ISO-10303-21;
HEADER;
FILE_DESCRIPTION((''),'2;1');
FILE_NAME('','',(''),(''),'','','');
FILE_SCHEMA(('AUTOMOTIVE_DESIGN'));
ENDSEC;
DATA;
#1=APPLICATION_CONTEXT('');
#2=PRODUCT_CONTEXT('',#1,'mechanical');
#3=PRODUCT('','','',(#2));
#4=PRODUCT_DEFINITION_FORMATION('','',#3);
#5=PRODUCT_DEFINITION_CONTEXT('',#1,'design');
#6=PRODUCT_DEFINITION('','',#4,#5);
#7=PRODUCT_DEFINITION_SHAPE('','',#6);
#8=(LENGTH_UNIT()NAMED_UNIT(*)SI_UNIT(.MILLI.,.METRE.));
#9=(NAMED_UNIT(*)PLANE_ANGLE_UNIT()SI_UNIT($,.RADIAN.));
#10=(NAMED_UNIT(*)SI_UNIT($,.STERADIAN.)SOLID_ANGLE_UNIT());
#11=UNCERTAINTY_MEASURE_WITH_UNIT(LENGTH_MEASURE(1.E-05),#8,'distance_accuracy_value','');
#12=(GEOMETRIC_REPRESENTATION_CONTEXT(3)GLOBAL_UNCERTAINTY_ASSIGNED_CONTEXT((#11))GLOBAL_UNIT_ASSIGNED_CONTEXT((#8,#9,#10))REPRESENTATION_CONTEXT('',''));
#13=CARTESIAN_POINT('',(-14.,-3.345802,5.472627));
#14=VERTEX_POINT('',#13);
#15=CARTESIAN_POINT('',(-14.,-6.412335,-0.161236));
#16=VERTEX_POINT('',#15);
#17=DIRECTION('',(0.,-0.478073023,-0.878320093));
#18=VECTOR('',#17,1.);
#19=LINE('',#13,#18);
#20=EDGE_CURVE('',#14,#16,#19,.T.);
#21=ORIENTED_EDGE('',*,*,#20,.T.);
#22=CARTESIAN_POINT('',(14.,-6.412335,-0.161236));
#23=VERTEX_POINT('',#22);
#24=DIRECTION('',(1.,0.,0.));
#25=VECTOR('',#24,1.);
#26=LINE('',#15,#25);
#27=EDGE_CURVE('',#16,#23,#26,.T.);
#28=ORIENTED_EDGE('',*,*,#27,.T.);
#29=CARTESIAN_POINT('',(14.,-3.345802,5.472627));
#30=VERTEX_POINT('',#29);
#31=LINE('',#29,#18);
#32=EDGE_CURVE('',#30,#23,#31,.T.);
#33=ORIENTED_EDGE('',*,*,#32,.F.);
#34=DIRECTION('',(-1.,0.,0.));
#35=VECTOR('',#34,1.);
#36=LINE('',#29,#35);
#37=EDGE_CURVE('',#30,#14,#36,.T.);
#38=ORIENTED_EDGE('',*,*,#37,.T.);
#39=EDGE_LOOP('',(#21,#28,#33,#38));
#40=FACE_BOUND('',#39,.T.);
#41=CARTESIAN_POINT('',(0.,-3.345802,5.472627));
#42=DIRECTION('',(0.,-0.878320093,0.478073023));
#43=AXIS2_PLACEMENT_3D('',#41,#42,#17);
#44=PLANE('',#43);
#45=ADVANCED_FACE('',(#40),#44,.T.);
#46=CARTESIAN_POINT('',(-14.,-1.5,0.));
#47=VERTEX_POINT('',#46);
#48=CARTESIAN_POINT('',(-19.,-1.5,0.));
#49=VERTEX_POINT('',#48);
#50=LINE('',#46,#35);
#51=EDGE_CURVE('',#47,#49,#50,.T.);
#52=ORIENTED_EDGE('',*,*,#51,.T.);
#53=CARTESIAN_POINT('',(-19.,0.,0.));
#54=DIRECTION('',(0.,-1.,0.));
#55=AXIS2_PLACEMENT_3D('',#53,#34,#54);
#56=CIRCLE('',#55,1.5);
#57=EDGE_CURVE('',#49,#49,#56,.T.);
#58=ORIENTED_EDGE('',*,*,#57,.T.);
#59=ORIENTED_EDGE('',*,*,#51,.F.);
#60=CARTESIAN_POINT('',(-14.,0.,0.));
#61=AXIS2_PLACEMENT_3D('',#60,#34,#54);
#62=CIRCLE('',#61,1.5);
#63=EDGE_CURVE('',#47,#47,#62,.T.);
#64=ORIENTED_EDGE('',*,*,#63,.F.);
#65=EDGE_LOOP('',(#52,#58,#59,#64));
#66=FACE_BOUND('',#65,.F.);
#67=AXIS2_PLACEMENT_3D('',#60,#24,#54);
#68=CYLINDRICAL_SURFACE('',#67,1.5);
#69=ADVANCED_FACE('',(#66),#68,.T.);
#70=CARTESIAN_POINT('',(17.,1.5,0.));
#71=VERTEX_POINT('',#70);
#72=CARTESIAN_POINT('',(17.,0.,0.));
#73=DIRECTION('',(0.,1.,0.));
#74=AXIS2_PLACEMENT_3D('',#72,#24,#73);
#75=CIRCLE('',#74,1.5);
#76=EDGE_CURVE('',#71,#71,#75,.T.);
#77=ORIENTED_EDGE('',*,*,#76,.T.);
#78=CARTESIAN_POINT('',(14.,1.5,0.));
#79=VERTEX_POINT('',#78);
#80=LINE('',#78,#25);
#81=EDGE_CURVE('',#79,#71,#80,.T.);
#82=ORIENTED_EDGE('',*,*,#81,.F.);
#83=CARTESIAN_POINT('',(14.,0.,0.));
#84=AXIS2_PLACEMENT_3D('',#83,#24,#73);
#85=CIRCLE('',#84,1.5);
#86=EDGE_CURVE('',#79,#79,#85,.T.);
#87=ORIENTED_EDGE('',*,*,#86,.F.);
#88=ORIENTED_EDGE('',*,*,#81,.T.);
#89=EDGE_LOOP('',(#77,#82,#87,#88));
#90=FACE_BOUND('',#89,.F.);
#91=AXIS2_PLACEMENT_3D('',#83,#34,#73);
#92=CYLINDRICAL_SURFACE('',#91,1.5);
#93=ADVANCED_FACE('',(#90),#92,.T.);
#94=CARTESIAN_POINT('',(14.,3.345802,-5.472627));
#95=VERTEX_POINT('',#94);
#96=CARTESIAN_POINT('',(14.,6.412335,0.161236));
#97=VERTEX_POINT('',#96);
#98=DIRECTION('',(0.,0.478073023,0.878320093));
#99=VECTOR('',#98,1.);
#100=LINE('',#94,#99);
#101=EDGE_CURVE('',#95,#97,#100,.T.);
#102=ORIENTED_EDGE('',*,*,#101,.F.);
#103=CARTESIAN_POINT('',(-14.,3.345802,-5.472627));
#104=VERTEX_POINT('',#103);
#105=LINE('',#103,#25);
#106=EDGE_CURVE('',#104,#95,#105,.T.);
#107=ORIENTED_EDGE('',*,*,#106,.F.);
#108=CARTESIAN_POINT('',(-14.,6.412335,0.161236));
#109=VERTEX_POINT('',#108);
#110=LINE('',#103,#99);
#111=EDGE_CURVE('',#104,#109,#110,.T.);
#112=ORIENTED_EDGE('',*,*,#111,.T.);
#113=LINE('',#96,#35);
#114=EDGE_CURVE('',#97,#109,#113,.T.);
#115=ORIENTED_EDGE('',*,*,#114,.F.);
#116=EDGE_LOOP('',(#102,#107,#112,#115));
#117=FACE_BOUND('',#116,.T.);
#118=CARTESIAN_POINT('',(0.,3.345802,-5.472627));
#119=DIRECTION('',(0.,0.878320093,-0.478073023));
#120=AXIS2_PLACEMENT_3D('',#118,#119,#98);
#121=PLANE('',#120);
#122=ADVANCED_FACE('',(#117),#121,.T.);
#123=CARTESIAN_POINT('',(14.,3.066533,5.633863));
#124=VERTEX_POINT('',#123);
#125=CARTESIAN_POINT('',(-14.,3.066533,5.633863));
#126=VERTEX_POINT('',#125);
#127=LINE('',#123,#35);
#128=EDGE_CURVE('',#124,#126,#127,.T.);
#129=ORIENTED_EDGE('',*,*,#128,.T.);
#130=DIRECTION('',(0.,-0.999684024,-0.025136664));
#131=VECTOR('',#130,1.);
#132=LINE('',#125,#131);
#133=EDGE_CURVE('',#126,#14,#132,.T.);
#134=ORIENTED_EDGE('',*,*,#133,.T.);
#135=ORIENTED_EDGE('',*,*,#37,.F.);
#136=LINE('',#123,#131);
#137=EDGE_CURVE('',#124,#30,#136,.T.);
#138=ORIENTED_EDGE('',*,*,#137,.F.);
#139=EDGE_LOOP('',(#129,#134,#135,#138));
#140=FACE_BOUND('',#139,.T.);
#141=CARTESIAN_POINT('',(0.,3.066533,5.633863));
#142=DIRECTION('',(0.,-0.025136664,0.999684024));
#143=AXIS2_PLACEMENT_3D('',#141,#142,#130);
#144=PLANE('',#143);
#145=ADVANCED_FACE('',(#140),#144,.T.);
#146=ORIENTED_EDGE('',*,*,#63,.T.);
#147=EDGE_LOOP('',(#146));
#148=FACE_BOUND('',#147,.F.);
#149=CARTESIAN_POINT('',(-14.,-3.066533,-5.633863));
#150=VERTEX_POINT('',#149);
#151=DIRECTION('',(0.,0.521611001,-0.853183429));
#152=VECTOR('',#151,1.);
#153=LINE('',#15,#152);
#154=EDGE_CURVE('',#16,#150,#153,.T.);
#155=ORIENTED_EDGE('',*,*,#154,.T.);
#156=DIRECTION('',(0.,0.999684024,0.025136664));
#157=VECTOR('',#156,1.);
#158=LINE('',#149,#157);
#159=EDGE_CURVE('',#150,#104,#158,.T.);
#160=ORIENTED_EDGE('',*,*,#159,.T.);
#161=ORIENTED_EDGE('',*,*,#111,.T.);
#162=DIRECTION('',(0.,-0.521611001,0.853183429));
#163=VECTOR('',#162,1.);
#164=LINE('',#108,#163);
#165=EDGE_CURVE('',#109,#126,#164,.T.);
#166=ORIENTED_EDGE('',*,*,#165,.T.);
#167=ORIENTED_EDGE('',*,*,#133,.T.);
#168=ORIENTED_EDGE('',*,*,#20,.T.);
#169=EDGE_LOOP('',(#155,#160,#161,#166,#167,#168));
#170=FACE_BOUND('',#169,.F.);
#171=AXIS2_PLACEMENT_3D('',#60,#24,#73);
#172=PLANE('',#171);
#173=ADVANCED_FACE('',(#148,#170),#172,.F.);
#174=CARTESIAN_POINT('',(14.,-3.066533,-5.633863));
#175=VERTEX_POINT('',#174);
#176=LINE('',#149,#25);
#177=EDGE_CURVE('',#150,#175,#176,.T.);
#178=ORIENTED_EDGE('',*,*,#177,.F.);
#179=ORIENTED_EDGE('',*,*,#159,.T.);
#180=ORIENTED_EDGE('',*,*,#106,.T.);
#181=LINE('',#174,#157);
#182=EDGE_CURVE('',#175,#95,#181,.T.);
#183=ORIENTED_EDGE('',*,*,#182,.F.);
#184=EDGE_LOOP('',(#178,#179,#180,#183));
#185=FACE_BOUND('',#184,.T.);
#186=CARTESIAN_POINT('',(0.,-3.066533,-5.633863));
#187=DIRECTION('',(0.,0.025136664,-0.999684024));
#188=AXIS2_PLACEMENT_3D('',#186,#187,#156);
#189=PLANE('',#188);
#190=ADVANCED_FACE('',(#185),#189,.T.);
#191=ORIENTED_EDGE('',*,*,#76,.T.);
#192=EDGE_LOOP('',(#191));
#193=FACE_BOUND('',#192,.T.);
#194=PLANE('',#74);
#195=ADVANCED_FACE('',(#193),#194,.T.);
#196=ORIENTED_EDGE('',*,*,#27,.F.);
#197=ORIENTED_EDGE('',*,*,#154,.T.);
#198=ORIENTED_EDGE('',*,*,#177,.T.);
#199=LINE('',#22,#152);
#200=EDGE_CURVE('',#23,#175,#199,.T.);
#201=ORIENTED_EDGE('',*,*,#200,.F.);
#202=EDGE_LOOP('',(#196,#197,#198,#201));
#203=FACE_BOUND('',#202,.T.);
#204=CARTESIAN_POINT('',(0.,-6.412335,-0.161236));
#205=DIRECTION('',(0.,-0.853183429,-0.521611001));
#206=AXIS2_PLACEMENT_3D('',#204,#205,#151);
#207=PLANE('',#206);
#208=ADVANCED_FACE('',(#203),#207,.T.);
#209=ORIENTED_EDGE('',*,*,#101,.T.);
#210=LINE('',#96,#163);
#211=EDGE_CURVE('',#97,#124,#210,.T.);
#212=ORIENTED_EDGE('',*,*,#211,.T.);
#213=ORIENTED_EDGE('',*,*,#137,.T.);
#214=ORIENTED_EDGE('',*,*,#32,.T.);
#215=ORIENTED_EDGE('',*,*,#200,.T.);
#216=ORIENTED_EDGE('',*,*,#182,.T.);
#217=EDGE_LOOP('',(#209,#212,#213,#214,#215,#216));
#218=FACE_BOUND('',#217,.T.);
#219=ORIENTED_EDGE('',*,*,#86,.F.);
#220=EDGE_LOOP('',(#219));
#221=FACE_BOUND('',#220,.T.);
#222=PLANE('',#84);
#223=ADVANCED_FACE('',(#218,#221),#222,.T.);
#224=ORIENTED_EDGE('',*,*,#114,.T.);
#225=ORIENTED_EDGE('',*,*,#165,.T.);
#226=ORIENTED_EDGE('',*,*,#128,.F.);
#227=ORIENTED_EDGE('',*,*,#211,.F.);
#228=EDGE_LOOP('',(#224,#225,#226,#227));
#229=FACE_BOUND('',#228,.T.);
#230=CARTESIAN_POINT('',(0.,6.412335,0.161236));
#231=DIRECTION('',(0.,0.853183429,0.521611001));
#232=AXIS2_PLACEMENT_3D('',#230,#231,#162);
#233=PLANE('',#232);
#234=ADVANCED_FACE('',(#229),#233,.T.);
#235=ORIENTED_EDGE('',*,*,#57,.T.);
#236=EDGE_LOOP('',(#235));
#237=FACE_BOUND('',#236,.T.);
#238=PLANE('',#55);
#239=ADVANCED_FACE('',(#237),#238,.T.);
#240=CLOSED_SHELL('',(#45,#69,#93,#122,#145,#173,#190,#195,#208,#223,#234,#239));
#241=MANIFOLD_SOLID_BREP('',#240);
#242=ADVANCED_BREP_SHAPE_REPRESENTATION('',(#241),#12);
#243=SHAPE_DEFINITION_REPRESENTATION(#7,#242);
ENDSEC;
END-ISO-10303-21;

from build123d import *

# Parameters (mm, degrees)
F1_DEPTH = 14
F2_R     = 1.5
F3_DEPTH = 3
F4_R     = 1.5
F5_DEPTH = 5


with BuildPart() as f1:
    # F0 (on Right) → F1 (new body, symmetric)
    with BuildSketch(Plane.YZ):
        Polygon((-3.3458015204, 5.4726269304), (-6.4123347074, -0.1612356475), (-3.0665331869, -5.6338625779), (3.3458015204, -5.4726269304), (6.4123347074, 0.1612356475), (3.0665331869, 5.6338625779), align=None)
    extrude(amount=F1_DEPTH, both=True)

    # F2 (on face) → F3 (join)
    with BuildSketch(Plane.YZ.offset(14)):
        Circle(F2_R)
    extrude(amount=F3_DEPTH)

    # F4 (on face) → F5 (join)
    with BuildSketch(Plane(origin=(-14, 0, 0), x_dir=(0, -1, 0), z_dir=(-1, 0, 0))):
        Circle(F4_R)
    extrude(amount=F5_DEPTH)


solid = f1.part
